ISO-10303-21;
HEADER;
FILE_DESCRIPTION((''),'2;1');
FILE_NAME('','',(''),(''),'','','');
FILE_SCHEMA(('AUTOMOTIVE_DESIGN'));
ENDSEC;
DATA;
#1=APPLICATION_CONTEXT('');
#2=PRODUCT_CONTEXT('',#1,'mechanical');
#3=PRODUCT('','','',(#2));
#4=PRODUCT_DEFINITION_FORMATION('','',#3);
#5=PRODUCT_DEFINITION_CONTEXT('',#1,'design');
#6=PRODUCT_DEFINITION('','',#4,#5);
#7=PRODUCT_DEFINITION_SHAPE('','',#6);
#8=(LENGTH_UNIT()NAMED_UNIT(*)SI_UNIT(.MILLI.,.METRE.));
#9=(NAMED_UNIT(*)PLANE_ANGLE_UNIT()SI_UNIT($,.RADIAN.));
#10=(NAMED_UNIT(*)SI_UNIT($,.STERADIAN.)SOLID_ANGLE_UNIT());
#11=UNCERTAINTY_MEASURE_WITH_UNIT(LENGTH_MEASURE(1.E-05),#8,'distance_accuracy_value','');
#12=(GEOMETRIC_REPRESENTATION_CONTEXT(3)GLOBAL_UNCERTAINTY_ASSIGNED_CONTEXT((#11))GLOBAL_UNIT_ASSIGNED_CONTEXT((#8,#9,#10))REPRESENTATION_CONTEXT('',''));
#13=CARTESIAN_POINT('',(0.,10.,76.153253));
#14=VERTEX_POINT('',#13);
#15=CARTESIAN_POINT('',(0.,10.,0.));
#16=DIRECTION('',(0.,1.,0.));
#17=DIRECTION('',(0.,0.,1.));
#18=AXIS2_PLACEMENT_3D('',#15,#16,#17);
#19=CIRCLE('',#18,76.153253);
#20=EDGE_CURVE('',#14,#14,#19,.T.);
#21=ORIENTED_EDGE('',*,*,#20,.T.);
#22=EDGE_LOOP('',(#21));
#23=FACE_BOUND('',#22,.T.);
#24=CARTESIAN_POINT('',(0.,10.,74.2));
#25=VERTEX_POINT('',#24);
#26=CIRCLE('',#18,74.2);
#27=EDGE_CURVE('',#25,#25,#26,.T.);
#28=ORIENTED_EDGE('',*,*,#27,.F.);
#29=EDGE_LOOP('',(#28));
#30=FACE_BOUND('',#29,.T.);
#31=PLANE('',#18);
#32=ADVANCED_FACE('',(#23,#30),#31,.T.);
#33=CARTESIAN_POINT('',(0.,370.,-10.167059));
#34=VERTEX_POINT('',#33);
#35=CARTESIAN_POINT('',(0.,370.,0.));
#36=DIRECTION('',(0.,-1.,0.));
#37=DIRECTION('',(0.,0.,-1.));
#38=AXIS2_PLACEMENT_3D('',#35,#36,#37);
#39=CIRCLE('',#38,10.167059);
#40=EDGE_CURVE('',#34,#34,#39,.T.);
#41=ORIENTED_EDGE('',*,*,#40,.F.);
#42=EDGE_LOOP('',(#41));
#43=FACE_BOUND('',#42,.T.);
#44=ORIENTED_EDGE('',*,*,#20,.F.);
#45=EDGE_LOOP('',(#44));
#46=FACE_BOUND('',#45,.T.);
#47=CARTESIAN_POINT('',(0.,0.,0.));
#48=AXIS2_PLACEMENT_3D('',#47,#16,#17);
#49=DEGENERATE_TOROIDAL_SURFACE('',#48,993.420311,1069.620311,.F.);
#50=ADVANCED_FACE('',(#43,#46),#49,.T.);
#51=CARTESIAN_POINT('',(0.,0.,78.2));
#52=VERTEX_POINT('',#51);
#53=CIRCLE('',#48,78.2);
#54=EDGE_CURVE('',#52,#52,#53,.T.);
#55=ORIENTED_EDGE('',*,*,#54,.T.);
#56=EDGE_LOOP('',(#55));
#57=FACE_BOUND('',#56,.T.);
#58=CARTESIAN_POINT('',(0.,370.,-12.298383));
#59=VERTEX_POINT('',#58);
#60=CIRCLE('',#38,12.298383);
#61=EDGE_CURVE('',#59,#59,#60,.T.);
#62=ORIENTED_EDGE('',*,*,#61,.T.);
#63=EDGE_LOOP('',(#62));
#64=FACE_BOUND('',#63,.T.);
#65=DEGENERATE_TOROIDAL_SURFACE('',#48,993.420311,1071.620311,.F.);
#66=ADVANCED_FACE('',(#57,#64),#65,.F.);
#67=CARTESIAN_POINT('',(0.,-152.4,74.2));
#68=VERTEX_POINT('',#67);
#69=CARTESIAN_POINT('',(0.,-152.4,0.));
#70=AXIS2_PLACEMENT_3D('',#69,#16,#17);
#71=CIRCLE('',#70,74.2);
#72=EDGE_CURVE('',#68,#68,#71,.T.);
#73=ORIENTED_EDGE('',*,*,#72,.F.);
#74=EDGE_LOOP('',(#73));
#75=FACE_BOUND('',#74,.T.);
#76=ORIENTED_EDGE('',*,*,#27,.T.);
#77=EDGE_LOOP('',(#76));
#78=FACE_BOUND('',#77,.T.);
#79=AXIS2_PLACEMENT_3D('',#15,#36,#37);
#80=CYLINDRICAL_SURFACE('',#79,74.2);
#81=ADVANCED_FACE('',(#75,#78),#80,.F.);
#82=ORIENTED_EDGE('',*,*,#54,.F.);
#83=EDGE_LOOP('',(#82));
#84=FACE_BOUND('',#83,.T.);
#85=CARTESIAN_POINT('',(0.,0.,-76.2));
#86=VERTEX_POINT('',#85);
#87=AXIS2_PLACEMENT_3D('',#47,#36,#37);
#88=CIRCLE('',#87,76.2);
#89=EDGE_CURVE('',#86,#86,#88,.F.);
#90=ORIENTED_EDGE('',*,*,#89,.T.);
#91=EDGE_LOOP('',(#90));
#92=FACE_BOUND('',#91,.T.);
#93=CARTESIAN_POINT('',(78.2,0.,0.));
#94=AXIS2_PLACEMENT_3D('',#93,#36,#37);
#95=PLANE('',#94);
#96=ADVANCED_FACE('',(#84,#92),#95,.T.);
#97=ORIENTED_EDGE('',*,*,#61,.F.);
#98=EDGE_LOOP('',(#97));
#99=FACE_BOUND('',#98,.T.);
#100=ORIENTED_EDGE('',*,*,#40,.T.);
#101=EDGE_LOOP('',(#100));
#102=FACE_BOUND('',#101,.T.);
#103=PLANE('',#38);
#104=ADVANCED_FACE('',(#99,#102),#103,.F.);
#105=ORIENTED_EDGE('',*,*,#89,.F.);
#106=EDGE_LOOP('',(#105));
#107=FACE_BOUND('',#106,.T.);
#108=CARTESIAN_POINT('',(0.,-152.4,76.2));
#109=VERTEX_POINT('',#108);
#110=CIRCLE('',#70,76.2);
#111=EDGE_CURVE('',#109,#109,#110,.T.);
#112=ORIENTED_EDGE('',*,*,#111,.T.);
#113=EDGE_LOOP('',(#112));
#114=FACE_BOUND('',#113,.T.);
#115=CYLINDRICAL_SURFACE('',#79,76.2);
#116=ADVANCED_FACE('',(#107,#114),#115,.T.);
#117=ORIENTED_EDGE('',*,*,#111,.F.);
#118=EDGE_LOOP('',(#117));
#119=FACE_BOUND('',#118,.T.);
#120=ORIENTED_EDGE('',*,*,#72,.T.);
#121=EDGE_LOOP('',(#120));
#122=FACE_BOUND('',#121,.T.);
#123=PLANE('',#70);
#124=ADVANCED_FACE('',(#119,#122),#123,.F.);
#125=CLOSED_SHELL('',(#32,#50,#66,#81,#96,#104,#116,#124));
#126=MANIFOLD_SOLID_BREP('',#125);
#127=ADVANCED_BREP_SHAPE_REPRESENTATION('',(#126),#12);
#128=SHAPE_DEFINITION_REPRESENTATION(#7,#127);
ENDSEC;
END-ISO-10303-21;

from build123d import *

# Parameters (mm, degrees)
BOSS_EXTRUDE1_DEPTH      = 10
BOSS_EXTRUDE1_DEPTH_BACK = 152.4
SKETCH2_R                = 76.2
SKETCH2_R_2              = 74.2
SKETCH6_R                = 45.027407712
CUT_EXTRUDE1_DEPTH       = 40


with BuildPart() as part:
    # Sketch1 → Revolve3 (revolve)
    with BuildSketch(Plane.XY):
        with BuildLine():
            Line((0, 400), (0, 401.853426775))
            ThreePointArc((0, 401.853426775), (58.468341276, 204.695759977), (78.2, 0))
            Line((78.2, 0), (76.2, 0))
            ThreePointArc((76.2, 0), (56.977268898, 201.872568324), (0, 396.489212171))
            Line((0, 396.489212171), (0, 400))
        make_face()
    revolve(axis=Axis((0, 400, 0), (0, 1, 0)))

    # Sketch2 → Boss-Extrude1 (add, two sides: drawn at the far end of the back side and taken through both)
    with BuildSketch(Plane(origin=(0, 0, 0), x_dir=(1, 0, 0), z_dir=(0, 1, 0)).offset(-BOSS_EXTRUDE1_DEPTH_BACK)):
        with Locations(Location((0, 0, 0), (0, 0, 90))):
            Circle(SKETCH2_R)
        with Locations(Location((0, 0, 0), (0, 0, 270))):
            Circle(SKETCH2_R_2, mode=Mode.SUBTRACT)
    extrude(amount=BOSS_EXTRUDE1_DEPTH + BOSS_EXTRUDE1_DEPTH_BACK)

    # Sketch6 → Cut-Extrude1 (cut)
    with BuildSketch(Plane(origin=(0, 370, 0), x_dir=(-1, 0, 0), z_dir=(0, -1, 0))):
        Circle(SKETCH6_R)
    extrude(amount=-CUT_EXTRUDE1_DEPTH, mode=Mode.SUBTRACT)


solid = part.part
